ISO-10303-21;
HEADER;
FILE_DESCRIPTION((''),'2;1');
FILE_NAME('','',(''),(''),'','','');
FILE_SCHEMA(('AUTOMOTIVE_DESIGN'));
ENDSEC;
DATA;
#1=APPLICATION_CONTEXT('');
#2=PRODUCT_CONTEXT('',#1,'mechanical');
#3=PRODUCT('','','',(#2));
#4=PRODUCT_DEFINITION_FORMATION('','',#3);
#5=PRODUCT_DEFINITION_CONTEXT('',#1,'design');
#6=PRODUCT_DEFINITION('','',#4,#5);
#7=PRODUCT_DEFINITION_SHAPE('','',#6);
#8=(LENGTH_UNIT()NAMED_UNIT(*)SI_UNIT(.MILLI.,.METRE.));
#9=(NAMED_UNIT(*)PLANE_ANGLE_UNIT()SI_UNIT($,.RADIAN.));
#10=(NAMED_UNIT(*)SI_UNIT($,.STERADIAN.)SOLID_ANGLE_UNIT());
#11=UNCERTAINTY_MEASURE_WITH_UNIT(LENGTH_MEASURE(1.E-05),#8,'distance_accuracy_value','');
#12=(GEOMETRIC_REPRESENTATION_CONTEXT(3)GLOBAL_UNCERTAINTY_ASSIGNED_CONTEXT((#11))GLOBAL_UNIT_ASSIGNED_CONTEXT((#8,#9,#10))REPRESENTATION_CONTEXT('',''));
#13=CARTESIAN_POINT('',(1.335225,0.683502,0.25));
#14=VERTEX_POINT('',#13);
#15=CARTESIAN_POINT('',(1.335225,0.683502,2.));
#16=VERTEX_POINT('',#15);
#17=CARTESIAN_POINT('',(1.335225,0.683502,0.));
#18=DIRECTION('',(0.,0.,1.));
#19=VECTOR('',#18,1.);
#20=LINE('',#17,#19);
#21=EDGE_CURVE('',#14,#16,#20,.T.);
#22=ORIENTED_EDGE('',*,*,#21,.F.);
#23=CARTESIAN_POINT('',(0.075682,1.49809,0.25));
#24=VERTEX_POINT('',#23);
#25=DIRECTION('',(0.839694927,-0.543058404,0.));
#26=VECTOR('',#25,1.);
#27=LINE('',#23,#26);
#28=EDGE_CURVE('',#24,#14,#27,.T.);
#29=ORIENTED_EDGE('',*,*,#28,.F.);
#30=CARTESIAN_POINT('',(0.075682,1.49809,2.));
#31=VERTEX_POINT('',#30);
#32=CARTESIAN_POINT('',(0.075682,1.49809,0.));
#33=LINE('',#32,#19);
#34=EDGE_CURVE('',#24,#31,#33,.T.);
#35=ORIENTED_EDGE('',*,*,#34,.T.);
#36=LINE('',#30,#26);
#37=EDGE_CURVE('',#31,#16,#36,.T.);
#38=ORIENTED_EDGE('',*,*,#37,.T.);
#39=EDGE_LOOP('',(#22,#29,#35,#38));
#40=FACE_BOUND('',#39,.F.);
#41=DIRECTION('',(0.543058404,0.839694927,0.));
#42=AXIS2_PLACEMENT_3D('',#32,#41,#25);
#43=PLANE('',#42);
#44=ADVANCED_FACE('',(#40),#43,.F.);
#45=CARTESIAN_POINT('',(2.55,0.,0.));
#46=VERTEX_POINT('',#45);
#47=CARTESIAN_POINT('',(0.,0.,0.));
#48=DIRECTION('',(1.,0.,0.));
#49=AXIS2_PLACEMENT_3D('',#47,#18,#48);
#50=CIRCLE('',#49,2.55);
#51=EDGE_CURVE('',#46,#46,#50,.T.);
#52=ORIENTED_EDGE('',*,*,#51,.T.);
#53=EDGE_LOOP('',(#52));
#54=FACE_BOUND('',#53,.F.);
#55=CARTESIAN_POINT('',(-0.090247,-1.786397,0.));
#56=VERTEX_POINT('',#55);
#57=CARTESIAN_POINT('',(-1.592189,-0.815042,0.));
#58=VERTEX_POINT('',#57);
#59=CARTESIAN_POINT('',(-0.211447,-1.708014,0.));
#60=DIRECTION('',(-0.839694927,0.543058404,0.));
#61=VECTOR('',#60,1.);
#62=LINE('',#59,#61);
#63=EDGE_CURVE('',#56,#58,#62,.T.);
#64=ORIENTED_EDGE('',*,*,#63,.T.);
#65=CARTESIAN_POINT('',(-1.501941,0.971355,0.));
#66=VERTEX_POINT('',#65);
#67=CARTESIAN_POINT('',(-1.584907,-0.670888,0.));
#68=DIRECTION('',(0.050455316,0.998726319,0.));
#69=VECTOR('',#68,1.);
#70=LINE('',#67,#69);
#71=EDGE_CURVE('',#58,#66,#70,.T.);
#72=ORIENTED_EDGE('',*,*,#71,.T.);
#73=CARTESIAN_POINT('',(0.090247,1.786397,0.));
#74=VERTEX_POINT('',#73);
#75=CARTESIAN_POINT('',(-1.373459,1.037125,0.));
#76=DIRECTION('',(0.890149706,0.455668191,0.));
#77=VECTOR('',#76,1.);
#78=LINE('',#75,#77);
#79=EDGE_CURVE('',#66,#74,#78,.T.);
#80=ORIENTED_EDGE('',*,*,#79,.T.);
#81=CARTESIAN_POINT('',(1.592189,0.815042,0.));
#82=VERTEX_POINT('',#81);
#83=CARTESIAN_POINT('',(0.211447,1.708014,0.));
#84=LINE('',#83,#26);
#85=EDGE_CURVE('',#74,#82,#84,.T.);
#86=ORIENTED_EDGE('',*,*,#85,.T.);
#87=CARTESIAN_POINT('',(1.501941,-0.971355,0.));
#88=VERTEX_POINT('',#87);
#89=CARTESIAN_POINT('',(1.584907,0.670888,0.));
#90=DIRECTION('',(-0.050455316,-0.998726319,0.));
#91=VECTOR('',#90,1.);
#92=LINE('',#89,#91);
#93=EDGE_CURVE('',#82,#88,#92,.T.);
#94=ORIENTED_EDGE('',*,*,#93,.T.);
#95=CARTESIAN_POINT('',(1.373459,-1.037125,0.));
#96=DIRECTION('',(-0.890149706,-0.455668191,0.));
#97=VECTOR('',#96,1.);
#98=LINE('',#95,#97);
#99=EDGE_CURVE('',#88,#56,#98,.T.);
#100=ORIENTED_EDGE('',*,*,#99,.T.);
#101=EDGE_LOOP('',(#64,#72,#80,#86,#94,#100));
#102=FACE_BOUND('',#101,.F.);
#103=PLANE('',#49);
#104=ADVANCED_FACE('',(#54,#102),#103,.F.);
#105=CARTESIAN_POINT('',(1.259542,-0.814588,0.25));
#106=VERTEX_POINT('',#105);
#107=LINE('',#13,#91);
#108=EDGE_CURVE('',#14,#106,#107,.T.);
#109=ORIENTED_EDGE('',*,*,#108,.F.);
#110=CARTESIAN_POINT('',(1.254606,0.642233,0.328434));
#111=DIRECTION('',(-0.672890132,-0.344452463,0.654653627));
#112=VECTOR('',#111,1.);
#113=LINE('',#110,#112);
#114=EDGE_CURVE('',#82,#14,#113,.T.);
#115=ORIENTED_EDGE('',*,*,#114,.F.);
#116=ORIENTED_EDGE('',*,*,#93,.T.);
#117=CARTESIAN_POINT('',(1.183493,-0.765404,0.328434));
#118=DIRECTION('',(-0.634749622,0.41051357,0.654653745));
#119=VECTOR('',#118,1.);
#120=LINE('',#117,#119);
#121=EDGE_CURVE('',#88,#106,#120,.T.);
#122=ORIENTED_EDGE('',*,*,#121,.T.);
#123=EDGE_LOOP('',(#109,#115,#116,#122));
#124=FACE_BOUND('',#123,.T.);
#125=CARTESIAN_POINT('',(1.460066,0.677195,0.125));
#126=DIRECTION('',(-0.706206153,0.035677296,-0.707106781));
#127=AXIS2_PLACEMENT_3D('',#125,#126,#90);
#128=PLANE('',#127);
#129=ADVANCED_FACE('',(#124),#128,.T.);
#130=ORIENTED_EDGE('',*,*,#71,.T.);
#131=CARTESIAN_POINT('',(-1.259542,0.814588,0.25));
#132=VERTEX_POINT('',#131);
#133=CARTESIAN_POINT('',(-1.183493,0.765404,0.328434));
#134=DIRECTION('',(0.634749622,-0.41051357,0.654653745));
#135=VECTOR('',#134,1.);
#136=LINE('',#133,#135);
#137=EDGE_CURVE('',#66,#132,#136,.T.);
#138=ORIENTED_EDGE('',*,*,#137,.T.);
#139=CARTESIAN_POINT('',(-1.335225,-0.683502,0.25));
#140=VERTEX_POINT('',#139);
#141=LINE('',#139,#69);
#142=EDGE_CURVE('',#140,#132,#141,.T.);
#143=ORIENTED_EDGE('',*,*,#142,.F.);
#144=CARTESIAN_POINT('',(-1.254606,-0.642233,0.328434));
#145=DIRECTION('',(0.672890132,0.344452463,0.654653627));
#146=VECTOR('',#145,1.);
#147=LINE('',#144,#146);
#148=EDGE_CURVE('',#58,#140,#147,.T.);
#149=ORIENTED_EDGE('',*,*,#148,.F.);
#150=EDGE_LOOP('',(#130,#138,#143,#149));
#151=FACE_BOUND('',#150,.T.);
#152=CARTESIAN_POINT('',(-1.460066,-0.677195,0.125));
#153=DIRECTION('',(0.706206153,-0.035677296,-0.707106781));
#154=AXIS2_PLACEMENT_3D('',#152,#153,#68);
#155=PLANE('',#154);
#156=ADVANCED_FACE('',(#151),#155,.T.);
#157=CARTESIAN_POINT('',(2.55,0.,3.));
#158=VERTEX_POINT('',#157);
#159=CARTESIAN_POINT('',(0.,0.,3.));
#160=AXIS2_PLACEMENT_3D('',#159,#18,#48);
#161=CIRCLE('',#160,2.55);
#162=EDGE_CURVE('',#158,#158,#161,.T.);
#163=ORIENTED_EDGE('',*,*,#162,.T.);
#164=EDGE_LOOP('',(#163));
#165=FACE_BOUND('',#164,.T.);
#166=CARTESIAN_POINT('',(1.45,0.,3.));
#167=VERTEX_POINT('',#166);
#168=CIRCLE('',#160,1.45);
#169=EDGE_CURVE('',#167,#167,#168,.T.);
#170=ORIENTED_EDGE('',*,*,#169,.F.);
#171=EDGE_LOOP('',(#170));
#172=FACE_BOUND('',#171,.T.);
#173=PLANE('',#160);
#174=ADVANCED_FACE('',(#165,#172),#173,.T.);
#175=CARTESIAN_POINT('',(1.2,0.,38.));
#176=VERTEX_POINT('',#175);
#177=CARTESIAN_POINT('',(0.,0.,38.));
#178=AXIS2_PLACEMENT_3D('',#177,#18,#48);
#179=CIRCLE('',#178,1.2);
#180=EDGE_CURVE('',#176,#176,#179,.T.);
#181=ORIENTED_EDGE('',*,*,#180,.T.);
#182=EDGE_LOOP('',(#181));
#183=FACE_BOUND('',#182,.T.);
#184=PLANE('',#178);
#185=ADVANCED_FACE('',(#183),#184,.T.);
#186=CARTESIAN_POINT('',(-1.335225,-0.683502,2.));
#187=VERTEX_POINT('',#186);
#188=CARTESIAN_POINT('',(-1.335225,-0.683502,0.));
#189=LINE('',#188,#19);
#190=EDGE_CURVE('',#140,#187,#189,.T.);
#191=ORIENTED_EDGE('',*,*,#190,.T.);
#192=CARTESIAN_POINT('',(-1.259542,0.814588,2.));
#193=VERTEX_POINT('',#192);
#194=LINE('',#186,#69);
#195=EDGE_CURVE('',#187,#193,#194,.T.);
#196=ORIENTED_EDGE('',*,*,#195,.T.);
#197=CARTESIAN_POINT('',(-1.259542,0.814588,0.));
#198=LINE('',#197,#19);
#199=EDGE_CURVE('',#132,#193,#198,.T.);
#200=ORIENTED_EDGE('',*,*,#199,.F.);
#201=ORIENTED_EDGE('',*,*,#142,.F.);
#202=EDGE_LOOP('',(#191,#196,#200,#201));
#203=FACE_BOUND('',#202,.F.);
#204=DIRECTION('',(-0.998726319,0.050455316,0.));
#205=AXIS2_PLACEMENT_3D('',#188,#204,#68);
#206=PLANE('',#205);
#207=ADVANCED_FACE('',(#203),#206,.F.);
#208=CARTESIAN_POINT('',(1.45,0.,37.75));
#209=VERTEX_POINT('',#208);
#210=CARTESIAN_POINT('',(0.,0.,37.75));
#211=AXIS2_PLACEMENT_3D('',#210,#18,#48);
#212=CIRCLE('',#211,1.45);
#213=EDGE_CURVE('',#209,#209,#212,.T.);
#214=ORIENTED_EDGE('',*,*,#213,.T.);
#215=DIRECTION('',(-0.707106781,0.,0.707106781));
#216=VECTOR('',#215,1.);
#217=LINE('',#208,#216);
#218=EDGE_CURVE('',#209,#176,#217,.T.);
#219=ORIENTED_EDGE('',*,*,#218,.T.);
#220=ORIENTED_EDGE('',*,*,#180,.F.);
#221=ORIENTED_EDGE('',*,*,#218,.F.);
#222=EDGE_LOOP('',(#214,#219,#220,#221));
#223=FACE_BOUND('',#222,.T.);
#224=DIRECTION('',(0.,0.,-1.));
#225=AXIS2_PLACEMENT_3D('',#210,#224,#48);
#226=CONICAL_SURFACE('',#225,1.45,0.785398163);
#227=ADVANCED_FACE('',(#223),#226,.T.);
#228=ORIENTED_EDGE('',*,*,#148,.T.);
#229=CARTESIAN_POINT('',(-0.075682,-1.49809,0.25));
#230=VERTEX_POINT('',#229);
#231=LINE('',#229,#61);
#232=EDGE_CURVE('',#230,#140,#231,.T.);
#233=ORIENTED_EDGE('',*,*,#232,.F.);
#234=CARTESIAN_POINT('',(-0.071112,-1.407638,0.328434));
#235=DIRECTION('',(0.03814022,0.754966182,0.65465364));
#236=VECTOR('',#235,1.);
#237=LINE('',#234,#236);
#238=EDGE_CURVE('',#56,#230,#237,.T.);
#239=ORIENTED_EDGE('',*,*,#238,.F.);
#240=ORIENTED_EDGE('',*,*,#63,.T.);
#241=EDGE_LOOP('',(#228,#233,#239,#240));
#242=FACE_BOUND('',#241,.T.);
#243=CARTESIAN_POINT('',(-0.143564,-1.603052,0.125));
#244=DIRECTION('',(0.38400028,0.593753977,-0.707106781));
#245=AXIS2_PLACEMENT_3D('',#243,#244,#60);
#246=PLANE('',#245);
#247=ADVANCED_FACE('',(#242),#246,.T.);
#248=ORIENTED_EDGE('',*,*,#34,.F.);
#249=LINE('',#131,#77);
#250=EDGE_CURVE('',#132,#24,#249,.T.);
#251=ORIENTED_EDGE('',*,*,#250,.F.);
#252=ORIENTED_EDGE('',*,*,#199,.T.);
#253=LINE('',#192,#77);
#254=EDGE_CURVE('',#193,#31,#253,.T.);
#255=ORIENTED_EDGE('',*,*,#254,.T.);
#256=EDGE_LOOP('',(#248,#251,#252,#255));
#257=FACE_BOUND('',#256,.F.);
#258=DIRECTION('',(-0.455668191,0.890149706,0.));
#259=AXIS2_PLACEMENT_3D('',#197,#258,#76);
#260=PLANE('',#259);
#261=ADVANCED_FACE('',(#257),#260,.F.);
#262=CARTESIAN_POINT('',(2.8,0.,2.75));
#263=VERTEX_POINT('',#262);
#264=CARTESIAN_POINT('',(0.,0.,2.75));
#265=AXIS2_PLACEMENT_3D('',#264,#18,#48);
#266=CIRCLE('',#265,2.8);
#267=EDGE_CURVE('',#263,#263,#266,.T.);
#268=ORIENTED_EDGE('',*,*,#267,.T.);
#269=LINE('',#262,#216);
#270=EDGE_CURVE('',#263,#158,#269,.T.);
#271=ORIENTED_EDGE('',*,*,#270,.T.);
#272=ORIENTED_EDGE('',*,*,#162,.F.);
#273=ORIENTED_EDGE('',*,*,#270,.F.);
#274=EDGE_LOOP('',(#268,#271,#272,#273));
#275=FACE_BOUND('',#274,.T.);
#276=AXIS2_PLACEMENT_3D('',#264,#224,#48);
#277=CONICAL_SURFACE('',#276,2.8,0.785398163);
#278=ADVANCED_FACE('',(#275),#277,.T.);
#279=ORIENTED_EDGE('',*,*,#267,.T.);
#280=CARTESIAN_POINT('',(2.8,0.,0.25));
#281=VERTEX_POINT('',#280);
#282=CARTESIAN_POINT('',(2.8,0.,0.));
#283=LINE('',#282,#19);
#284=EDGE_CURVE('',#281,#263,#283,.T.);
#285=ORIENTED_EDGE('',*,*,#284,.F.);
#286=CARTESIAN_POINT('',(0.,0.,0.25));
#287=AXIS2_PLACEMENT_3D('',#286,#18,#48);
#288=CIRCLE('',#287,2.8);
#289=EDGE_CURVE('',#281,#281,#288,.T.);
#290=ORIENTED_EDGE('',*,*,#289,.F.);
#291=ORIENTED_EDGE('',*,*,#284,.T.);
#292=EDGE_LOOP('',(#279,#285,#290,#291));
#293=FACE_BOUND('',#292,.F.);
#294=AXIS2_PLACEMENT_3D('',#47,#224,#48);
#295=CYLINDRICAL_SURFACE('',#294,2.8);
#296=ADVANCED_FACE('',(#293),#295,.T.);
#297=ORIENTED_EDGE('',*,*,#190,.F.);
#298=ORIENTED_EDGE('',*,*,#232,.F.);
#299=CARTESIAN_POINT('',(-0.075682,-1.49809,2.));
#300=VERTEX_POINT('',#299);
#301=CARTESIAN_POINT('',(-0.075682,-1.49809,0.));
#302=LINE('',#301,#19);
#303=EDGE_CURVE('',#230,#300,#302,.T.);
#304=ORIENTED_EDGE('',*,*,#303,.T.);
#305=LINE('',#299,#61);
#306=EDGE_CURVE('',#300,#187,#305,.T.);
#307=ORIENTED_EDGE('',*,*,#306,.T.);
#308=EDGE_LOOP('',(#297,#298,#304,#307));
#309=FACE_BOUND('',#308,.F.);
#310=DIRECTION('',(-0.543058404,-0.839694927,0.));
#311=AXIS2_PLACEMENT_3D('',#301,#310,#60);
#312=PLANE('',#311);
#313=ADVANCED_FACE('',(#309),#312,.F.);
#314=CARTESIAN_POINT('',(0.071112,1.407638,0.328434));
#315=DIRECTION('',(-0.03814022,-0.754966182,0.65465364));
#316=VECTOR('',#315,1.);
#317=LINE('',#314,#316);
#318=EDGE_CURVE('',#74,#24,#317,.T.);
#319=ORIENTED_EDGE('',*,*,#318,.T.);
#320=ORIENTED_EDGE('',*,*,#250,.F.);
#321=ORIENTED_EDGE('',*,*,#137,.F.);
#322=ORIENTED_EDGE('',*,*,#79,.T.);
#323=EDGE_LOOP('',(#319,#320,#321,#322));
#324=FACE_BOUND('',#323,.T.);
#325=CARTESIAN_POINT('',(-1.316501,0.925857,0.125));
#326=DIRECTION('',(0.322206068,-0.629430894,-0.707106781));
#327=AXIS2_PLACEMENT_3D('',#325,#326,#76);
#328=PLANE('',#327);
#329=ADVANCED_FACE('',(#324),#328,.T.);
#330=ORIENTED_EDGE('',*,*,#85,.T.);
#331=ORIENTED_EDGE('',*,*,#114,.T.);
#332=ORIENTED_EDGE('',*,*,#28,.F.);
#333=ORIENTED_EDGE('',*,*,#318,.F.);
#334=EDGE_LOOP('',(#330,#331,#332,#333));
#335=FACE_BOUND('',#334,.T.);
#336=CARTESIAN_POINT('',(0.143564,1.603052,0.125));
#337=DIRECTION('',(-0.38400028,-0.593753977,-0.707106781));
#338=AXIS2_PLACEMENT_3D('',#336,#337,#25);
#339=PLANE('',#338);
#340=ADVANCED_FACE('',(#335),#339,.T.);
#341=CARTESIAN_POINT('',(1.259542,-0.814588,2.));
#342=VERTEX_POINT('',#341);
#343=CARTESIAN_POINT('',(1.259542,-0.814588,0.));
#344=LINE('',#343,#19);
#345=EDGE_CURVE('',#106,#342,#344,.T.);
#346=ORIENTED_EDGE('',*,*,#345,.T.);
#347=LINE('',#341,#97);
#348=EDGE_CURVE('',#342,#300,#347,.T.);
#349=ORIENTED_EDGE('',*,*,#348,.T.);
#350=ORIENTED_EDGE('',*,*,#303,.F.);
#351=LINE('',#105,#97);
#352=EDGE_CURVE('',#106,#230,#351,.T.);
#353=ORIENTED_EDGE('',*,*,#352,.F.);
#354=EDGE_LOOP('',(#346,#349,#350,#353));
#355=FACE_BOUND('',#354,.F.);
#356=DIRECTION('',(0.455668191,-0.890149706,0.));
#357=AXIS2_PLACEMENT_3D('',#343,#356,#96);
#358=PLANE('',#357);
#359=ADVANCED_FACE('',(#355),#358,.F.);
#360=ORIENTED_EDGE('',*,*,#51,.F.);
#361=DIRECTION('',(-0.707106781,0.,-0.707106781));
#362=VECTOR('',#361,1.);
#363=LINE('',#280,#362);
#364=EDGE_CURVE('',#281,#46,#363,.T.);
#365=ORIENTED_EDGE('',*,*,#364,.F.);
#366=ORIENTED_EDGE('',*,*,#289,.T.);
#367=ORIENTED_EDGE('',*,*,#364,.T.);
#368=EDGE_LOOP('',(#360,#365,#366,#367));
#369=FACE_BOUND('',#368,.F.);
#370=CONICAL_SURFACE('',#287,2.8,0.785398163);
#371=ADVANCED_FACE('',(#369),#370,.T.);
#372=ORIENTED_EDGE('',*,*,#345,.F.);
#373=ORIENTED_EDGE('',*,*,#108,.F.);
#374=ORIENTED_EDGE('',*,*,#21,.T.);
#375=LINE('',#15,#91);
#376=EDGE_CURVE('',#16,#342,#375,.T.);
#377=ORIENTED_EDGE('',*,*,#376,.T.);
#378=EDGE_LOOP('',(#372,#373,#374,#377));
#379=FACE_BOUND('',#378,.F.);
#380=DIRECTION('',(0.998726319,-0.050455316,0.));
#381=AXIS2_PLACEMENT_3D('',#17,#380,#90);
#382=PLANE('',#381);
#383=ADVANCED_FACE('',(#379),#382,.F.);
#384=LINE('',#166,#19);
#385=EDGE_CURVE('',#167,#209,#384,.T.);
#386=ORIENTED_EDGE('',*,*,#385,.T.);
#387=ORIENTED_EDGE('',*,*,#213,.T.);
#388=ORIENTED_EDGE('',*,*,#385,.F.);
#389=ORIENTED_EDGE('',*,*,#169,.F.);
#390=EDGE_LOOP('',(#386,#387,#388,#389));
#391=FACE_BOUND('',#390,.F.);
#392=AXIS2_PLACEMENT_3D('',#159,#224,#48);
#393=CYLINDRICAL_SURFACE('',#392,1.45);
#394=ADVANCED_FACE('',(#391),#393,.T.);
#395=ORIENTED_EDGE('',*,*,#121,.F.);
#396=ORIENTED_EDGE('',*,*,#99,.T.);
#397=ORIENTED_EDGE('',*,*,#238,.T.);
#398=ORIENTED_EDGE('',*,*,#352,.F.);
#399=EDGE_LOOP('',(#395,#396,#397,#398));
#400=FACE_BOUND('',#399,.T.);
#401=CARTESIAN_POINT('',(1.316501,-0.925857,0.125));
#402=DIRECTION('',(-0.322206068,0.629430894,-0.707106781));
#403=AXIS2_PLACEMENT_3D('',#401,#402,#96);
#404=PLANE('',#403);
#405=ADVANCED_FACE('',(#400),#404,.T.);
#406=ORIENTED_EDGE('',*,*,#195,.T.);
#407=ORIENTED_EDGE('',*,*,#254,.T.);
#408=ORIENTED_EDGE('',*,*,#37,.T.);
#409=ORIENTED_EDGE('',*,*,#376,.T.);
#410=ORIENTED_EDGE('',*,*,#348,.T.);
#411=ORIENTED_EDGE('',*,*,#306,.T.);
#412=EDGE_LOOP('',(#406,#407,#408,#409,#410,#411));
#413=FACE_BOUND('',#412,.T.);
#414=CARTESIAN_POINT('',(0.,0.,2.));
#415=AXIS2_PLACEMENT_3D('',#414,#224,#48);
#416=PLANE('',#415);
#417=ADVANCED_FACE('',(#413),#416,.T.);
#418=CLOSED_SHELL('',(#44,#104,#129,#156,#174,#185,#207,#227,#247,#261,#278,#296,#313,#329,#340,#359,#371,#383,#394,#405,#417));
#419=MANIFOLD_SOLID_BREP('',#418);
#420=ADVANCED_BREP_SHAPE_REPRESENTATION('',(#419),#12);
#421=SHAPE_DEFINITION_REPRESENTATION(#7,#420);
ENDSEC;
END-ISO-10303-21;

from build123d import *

# Parameters (mm, degrees)
SKETCH_R     = 2.8
PAD_DEPTH    = 3
SKETCH001_R  = 1.45
PAD001_DEPTH = 35
POCKET_DEPTH = 2
CHAMFER_SIZE = 0.25


with BuildPart() as part:
    # Sketch → Pad (new body)
    with BuildSketch(Plane.XY):
        Circle(SKETCH_R)
    extrude(amount=PAD_DEPTH)

    # Sketch001 (on Face3 of Pad) → Pad001 (join)
    with BuildSketch(Plane.XY.offset(3)):
        Circle(SKETCH001_R)
    extrude(amount=PAD001_DEPTH)

    # Sketch002 (on Face2 of Pad001) → Pocket (cut)
    with BuildSketch(Plane(origin=(0, 0, 0), x_dir=(1, 0, 0), z_dir=(0, 0, -1))):
        Polygon((1.259542, 0.814588), (-0.075682, 1.49809), (-1.335225, 0.683502), (-1.259542, -0.814588), (0.075682, -1.49809), (1.335225, -0.683502), align=None)
    extrude(amount=-POCKET_DEPTH, mode=Mode.SUBTRACT)

    # Chamfer
    chamfer_edges = [part.edges().sort_by_distance(p)[0] for p in [
        (-2.8, 0, 3),
        (-2.8, 0, 0),
        (1.297384, -0.065543, 0),
        (0.705454, 1.090796, 0),
        (-0.59193, 1.156339, 0),
        (-1.297384, 0.065543, 0),
        (-0.705454, -1.090796, 0),
        (0.59193, -1.156339, 0),
        (-1.45, 0, 38),
    ]]
    chamfer(chamfer_edges, length=CHAMFER_SIZE)


solid = part.part
